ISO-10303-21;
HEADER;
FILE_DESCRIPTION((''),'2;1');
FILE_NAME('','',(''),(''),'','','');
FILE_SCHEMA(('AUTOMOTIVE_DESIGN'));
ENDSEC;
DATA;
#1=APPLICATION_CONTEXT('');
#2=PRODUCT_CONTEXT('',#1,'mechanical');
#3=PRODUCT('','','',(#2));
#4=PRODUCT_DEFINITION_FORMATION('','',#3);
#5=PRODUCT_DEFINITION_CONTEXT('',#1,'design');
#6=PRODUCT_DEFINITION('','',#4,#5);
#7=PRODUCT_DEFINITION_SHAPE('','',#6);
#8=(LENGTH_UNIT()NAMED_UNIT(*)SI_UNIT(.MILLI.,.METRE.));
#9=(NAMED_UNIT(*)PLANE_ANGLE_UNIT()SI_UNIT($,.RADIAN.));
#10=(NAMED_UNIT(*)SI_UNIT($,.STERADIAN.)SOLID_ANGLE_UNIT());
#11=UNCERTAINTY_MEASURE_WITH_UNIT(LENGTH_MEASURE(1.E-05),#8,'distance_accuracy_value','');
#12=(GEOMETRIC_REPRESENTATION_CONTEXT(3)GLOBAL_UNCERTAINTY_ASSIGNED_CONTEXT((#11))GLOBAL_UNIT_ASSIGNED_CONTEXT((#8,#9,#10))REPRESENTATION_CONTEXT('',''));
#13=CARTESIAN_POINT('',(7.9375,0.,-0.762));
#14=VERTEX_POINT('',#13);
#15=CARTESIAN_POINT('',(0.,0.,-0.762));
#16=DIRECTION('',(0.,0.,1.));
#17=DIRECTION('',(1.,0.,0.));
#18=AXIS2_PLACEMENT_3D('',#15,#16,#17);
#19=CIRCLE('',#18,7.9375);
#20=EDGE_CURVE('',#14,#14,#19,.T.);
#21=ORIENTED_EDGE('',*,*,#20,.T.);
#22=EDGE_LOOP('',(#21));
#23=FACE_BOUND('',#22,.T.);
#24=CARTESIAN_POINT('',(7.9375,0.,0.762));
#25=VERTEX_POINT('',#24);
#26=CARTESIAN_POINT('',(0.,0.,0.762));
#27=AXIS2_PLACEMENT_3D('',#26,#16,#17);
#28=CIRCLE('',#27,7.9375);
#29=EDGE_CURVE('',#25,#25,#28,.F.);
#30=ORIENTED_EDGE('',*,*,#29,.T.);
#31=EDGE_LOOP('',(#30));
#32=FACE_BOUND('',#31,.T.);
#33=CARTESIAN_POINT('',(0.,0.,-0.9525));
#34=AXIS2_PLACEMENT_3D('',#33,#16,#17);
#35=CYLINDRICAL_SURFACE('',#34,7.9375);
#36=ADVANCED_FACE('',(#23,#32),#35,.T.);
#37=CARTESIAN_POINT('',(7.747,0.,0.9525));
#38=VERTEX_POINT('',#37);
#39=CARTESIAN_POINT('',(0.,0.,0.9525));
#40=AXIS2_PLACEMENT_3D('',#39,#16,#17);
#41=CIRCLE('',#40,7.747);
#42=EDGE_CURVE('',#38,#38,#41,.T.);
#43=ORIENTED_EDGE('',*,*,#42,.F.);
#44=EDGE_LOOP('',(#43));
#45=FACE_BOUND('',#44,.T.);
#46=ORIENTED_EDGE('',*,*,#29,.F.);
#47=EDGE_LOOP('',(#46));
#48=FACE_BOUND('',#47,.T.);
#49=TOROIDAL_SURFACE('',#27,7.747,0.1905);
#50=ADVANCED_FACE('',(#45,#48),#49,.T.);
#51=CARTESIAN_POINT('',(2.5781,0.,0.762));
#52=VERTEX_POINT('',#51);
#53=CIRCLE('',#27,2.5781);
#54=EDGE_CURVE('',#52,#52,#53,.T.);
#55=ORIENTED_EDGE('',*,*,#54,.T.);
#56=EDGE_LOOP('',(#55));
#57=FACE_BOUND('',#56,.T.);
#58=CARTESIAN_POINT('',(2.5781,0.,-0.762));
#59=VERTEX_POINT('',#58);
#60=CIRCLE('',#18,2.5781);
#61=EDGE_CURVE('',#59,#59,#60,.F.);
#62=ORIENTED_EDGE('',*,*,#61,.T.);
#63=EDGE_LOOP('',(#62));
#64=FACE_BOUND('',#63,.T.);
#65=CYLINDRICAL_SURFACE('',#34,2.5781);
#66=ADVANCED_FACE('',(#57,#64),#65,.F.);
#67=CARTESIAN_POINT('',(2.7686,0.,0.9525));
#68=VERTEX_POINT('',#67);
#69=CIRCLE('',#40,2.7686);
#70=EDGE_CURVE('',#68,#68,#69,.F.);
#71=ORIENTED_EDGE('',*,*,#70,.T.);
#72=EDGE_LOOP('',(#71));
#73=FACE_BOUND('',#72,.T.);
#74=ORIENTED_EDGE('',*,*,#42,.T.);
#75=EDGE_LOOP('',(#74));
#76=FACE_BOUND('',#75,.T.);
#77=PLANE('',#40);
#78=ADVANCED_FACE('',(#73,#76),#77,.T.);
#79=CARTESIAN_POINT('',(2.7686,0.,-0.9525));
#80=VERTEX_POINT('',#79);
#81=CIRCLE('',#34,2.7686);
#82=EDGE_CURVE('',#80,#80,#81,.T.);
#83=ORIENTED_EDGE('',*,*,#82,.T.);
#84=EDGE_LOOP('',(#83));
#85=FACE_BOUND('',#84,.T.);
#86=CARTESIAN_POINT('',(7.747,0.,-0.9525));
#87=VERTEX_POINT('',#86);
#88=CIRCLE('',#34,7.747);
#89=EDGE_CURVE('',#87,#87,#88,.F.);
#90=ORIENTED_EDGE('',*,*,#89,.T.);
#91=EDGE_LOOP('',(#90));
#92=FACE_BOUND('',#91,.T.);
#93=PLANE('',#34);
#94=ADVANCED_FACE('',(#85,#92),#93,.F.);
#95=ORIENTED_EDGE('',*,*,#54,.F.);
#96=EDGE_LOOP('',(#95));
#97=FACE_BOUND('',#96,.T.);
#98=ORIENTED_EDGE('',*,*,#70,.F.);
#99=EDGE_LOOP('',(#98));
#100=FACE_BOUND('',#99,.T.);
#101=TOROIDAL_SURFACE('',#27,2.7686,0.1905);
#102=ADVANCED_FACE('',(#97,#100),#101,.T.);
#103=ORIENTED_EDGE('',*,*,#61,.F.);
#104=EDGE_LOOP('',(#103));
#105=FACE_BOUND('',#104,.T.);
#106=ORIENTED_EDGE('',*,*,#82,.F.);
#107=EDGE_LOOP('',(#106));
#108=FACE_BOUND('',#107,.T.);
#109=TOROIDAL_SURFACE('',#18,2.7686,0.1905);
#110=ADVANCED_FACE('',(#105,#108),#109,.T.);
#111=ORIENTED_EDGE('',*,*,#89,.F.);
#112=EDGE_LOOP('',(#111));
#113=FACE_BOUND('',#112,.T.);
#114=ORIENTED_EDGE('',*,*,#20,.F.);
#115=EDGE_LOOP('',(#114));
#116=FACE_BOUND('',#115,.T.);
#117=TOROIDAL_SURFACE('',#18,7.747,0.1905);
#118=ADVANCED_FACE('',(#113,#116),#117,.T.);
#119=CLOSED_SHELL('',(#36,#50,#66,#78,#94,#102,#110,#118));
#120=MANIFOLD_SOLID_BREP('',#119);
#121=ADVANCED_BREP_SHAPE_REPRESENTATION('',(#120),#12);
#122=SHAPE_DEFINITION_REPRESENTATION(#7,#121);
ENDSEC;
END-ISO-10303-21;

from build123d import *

# Parameters (mm, degrees)
BOSS_EXTRUDE1_START = 0.9525
SKETCH3_R           = 7.9375
SKETCH3_R_2         = 2.5781
BOSS_EXTRUDE1_DEPTH = 1.905
FILLET1_R           = 0.1905


with BuildPart() as part:
    # Sketch3 → Boss-Extrude1 (new body)
    with BuildSketch(Plane.XY.offset(BOSS_EXTRUDE1_START)):
        Circle(SKETCH3_R)
        Circle(SKETCH3_R_2, mode=Mode.SUBTRACT)
    extrude(amount=-BOSS_EXTRUDE1_DEPTH)

    # Fillet1
    fillet1_edges = [part.edges().sort_by_distance(p)[0] for p in [
        (-7.9375, 0, 0.9525),
        (-7.9375, 0, -0.9525),
        (-2.5781, 0, -0.9525),
        (-2.5781, 0, 0.9525),
    ]]
    fillet(fillet1_edges, radius=FILLET1_R)


solid = part.part
